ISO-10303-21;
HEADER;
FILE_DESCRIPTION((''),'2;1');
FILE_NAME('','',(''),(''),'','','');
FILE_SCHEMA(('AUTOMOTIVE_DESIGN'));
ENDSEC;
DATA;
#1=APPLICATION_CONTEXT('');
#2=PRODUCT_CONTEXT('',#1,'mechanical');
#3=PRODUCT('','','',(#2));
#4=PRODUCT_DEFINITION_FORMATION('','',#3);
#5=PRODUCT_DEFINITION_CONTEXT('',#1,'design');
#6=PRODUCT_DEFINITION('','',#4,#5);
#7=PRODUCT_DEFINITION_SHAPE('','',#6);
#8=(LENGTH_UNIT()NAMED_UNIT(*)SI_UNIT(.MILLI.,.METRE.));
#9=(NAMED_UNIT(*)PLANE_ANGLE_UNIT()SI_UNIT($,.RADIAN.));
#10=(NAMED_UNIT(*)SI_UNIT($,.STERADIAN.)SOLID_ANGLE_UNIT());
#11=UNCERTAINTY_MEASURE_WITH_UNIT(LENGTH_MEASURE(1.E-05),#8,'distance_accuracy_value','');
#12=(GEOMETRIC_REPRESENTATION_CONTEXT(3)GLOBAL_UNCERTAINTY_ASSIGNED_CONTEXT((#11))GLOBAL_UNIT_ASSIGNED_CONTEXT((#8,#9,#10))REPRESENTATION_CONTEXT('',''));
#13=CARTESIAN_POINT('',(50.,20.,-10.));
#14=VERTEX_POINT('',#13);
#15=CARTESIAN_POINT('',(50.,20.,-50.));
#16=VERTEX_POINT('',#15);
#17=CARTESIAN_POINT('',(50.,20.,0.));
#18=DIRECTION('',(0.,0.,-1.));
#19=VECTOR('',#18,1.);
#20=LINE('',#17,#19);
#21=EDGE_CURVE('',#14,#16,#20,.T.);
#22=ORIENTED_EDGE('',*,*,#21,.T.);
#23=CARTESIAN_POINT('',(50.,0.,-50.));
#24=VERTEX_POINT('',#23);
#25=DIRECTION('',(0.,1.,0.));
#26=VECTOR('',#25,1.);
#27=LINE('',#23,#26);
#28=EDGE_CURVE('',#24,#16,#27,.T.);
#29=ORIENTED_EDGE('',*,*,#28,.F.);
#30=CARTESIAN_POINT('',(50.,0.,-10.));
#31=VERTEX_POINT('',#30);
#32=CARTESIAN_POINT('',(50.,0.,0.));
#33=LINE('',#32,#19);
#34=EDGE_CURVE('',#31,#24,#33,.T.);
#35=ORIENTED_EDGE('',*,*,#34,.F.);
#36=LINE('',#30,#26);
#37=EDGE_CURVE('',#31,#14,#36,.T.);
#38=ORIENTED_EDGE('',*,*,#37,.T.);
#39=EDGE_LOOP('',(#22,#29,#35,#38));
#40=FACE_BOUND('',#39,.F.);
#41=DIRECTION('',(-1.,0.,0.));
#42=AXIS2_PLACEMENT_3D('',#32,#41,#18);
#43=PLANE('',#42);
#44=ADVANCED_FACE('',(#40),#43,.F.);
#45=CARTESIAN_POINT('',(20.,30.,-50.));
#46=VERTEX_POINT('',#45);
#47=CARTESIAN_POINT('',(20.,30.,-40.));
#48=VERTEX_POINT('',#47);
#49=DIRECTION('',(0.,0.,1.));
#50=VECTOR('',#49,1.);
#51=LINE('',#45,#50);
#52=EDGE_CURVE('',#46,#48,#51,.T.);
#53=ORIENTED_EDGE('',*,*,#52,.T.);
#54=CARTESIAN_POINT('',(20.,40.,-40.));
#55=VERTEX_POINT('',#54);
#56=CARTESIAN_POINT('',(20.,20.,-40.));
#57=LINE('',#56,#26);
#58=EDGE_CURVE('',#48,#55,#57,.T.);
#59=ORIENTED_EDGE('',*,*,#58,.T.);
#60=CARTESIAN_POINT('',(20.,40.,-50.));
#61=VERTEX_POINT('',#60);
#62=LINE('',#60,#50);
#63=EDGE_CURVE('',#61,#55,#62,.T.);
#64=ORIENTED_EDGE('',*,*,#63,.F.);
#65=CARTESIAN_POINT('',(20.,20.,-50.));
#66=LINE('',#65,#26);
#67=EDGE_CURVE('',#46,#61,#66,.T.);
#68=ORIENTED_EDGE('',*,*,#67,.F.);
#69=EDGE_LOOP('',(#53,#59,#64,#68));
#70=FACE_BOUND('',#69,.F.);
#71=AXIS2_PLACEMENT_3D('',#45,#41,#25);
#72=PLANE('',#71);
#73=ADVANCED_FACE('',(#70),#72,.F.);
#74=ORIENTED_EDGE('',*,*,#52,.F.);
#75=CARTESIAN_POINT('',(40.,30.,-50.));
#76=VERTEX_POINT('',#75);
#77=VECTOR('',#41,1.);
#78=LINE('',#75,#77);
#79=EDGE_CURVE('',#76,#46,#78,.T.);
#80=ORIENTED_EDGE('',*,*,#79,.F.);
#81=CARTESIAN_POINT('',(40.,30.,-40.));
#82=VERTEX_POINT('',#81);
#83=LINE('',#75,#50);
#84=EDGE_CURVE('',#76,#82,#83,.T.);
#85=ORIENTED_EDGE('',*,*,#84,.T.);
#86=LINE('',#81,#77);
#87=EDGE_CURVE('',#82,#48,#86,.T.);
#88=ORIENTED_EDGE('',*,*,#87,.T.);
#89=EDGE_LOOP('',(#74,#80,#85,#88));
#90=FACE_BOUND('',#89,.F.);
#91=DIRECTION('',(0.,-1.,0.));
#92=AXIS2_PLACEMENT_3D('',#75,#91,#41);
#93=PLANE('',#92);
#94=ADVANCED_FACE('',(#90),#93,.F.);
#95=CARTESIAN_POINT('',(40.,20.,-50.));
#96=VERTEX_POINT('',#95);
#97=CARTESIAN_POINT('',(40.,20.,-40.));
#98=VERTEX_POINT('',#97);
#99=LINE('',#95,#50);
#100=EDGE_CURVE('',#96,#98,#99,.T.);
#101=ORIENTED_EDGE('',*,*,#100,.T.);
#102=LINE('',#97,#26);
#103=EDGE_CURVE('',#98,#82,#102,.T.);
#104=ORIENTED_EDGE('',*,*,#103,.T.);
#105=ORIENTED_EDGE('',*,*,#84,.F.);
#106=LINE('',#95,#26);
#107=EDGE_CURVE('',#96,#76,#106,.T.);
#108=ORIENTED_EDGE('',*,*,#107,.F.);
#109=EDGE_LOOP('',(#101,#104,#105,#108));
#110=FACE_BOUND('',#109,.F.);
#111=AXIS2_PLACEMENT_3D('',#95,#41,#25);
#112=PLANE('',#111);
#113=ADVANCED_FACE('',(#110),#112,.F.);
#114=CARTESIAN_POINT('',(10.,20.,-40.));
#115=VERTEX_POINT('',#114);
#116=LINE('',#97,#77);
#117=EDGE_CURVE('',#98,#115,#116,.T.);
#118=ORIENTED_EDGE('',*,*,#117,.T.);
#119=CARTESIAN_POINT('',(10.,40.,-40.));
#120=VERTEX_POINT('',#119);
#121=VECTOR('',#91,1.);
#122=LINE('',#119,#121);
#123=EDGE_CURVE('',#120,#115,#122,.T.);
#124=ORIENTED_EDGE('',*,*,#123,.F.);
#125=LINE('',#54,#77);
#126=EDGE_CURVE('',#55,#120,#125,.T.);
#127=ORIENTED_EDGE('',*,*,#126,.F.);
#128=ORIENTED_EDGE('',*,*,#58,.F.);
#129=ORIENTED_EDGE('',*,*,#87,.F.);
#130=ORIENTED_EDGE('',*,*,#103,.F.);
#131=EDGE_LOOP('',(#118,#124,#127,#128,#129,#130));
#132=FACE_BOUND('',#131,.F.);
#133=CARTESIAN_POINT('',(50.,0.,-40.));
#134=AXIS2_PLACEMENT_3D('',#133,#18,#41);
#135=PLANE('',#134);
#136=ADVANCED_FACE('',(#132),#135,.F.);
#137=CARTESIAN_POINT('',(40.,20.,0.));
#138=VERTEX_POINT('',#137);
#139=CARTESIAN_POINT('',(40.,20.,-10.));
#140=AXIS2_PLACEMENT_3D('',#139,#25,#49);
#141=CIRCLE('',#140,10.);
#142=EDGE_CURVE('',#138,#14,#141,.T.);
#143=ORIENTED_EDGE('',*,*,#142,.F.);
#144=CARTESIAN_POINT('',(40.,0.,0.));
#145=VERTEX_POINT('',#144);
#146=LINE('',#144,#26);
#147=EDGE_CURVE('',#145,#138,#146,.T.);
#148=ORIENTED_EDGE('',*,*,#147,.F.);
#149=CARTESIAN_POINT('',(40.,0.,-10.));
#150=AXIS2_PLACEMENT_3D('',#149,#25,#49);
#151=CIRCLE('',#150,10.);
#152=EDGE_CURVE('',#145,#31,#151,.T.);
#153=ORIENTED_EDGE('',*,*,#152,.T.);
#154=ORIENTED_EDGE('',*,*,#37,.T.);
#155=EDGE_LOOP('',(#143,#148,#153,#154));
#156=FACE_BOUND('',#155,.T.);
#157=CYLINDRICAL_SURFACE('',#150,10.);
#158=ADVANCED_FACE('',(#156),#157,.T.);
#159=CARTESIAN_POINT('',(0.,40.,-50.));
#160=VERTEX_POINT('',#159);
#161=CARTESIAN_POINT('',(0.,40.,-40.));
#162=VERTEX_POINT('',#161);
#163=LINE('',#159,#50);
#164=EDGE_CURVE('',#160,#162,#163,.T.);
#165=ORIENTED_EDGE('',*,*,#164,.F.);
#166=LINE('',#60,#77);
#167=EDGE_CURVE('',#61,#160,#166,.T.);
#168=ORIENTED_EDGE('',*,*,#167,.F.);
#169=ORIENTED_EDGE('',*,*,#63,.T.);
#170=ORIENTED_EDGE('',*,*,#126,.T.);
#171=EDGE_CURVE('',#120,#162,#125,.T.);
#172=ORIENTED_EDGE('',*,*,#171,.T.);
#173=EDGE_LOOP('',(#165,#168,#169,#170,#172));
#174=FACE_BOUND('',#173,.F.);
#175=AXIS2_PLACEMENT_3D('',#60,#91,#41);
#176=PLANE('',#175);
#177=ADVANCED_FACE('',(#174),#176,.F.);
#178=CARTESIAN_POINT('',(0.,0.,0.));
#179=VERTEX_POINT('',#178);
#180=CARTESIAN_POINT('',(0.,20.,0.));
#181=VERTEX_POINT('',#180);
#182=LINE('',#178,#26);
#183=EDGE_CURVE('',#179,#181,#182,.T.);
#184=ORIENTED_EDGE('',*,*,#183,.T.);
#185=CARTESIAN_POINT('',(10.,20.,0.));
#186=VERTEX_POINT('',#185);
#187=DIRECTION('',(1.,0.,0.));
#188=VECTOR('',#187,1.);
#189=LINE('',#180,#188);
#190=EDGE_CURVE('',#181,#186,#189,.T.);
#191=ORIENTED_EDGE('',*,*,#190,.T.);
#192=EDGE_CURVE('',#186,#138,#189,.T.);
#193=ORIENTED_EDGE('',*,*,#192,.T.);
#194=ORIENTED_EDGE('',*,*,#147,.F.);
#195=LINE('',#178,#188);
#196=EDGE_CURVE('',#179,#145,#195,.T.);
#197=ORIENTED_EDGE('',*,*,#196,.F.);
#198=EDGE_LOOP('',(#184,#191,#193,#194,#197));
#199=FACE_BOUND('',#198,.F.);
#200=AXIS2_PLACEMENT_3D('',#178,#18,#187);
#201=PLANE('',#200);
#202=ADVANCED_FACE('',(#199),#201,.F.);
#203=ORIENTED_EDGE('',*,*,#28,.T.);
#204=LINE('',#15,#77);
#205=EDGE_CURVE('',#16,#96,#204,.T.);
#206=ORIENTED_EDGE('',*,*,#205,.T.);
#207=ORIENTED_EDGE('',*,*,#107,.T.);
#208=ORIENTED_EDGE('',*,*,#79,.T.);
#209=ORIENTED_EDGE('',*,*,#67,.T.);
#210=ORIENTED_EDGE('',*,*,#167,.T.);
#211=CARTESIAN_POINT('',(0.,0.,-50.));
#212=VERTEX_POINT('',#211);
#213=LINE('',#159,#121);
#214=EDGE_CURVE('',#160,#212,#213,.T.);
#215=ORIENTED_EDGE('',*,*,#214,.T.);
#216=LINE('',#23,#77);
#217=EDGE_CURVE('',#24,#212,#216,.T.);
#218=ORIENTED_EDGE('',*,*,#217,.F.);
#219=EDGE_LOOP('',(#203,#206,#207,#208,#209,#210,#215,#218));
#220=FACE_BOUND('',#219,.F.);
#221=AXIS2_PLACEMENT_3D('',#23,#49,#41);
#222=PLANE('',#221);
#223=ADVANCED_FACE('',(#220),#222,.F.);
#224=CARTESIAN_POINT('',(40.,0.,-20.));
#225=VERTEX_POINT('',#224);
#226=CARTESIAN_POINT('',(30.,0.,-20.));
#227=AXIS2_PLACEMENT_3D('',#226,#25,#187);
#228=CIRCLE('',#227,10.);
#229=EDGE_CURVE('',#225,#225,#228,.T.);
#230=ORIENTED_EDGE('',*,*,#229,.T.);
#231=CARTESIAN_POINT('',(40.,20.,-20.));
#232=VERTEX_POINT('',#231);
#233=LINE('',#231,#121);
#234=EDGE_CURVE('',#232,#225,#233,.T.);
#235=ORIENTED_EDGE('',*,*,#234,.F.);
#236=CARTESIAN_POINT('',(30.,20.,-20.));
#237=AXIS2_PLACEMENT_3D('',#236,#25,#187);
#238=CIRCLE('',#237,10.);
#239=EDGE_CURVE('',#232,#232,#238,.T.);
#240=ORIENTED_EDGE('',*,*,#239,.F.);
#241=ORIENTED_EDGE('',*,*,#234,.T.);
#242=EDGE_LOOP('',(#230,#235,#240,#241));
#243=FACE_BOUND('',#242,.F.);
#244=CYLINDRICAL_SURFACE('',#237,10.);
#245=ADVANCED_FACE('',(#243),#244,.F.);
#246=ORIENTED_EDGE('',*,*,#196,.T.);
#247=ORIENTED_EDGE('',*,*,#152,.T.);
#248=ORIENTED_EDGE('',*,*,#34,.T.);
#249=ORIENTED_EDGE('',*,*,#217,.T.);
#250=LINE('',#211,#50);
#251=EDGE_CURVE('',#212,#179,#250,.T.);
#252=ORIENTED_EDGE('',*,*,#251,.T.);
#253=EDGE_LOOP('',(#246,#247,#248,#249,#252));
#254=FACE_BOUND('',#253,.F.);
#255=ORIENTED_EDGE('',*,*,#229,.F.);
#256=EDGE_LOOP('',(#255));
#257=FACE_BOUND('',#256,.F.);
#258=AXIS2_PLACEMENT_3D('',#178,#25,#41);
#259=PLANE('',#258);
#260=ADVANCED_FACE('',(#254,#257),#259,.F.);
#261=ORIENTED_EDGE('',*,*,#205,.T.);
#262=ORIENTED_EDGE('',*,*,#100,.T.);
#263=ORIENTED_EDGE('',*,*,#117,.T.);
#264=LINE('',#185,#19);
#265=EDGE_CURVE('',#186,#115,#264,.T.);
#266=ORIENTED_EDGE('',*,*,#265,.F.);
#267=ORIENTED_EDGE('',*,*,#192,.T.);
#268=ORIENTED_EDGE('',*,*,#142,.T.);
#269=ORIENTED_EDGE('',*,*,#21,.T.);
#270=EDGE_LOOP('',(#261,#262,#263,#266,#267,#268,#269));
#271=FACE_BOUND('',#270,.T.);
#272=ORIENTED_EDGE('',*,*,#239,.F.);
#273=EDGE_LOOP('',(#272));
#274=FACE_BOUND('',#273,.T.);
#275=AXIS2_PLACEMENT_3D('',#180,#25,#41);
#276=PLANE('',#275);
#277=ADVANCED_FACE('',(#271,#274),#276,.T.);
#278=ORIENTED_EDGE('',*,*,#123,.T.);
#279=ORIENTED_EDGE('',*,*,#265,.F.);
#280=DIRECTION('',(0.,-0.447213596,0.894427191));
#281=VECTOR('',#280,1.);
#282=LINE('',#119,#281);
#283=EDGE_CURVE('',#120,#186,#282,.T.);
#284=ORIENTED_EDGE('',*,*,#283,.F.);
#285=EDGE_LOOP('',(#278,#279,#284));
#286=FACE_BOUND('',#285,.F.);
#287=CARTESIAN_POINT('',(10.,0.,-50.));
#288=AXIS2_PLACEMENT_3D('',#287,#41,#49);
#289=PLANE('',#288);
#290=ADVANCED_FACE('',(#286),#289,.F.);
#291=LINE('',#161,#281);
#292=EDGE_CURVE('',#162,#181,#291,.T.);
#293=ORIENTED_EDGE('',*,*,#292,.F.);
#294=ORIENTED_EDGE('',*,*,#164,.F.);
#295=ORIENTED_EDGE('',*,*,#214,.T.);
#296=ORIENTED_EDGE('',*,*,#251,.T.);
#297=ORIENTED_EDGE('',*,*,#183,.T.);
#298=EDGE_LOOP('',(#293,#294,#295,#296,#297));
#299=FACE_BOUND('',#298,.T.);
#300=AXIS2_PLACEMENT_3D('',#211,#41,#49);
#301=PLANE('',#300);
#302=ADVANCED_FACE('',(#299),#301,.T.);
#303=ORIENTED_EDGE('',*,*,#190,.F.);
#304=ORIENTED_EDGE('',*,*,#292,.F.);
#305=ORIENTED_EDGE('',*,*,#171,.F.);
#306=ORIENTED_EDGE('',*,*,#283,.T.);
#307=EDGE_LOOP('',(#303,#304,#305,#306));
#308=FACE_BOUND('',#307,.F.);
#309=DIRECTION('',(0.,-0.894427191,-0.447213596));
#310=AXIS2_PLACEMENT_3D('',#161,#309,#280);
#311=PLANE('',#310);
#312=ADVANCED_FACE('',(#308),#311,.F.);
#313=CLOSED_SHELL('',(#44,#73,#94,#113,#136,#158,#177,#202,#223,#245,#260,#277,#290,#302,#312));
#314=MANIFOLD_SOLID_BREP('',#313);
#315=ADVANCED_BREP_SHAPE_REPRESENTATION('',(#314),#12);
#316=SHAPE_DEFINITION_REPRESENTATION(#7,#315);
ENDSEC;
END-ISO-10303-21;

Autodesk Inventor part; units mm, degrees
ref_plane "YZ Plane" through (0, 0, 0) normal (1, 0, 0) x (0, 1, 0)
ref_plane "XZ Plane" through (0, 0, 0) normal (0, 1, 0) x (-1, 0, 0)
ref_plane "XY Plane" through (0, 0, 0) normal (0, 0, 1) x (1, 0, 0)
sketch "草圖1" plane through (0, 0, 0) normal (0, 1, 0) x (-1, 0, 0)
  line L0 (0, 0) -> (-50, 0)
  line L1 (-50, 0) -> (-50, -50)
  line L2 (-50, -50) -> (0, -50)
  line L3 (0, -50) -> (0, 0)
  dimension "d0" = 50
  dimension "d1" = 50
extrude "擠出1" add sketch "草圖1" along normal blind 20
sketch "草圖2" plane through (50, 0, -50) normal (0, 0, -1) x (-1, 0, 0)
  line L0 (50, 20) -> (0, 20) projected
  line L1 (50, 20) -> (30, 20)
  line L2 (30, 20) -> (30, 40)
  line L3 (30, 40) -> (50, 40)
  line L4 (50, 40) -> (50, 20)
  line L5 (30, 20) -> (10, 20)
  line L6 (10, 20) -> (10, 30)
  line L7 (10, 30) -> (30, 30)
  line L8 (30, 30) -> (30, 20)
  point P0 (50, 0)
  dimension "d4" = 10
  dimension "d5" = 20
  dimension "d6" = 20
  dimension "d7" = 20
extrude "擠出2" add sketch "草圖2" against normal blind 10
sketch "草圖3" plane through (0, 0, -50) normal (-1, 0, 0) x (0, 0, 1)
  point P0 (50, 0)
sketch "草圖4" plane through (0, 0, -50) normal (-1, 0, 0) x (0, 0, 1)
  line L0 (50, 20) -> (0, 20) projected
  line L1 (10, 40) -> (50, 20)
  line L2 (50, 20) -> (10, 20)
  line L3 (10, 40) -> (10, 20)
  point P0 (50, 0)
extrude "擠出3" add sketch "草圖4" against normal blind 10
fillet "圓角1" radius 10 1 edges at (50, 10, 0)
sketch "草圖5" plane through (0, 20, 0) normal (0, 1, 0) x (1, 0, 0)
  circle A0 centre (30, 20) radius 10
  line L0 (10, 0) -> (40, 0) projected
  line L1 (50, 10) -> (50, 50) projected
  point P0 (0, 0)
  dimension "d13" = 20
  dimension "d14" = 10
  dimension "d15" = 20
extrude "擠出4" cut sketch "草圖5" against normal through all
properties part number "26"
